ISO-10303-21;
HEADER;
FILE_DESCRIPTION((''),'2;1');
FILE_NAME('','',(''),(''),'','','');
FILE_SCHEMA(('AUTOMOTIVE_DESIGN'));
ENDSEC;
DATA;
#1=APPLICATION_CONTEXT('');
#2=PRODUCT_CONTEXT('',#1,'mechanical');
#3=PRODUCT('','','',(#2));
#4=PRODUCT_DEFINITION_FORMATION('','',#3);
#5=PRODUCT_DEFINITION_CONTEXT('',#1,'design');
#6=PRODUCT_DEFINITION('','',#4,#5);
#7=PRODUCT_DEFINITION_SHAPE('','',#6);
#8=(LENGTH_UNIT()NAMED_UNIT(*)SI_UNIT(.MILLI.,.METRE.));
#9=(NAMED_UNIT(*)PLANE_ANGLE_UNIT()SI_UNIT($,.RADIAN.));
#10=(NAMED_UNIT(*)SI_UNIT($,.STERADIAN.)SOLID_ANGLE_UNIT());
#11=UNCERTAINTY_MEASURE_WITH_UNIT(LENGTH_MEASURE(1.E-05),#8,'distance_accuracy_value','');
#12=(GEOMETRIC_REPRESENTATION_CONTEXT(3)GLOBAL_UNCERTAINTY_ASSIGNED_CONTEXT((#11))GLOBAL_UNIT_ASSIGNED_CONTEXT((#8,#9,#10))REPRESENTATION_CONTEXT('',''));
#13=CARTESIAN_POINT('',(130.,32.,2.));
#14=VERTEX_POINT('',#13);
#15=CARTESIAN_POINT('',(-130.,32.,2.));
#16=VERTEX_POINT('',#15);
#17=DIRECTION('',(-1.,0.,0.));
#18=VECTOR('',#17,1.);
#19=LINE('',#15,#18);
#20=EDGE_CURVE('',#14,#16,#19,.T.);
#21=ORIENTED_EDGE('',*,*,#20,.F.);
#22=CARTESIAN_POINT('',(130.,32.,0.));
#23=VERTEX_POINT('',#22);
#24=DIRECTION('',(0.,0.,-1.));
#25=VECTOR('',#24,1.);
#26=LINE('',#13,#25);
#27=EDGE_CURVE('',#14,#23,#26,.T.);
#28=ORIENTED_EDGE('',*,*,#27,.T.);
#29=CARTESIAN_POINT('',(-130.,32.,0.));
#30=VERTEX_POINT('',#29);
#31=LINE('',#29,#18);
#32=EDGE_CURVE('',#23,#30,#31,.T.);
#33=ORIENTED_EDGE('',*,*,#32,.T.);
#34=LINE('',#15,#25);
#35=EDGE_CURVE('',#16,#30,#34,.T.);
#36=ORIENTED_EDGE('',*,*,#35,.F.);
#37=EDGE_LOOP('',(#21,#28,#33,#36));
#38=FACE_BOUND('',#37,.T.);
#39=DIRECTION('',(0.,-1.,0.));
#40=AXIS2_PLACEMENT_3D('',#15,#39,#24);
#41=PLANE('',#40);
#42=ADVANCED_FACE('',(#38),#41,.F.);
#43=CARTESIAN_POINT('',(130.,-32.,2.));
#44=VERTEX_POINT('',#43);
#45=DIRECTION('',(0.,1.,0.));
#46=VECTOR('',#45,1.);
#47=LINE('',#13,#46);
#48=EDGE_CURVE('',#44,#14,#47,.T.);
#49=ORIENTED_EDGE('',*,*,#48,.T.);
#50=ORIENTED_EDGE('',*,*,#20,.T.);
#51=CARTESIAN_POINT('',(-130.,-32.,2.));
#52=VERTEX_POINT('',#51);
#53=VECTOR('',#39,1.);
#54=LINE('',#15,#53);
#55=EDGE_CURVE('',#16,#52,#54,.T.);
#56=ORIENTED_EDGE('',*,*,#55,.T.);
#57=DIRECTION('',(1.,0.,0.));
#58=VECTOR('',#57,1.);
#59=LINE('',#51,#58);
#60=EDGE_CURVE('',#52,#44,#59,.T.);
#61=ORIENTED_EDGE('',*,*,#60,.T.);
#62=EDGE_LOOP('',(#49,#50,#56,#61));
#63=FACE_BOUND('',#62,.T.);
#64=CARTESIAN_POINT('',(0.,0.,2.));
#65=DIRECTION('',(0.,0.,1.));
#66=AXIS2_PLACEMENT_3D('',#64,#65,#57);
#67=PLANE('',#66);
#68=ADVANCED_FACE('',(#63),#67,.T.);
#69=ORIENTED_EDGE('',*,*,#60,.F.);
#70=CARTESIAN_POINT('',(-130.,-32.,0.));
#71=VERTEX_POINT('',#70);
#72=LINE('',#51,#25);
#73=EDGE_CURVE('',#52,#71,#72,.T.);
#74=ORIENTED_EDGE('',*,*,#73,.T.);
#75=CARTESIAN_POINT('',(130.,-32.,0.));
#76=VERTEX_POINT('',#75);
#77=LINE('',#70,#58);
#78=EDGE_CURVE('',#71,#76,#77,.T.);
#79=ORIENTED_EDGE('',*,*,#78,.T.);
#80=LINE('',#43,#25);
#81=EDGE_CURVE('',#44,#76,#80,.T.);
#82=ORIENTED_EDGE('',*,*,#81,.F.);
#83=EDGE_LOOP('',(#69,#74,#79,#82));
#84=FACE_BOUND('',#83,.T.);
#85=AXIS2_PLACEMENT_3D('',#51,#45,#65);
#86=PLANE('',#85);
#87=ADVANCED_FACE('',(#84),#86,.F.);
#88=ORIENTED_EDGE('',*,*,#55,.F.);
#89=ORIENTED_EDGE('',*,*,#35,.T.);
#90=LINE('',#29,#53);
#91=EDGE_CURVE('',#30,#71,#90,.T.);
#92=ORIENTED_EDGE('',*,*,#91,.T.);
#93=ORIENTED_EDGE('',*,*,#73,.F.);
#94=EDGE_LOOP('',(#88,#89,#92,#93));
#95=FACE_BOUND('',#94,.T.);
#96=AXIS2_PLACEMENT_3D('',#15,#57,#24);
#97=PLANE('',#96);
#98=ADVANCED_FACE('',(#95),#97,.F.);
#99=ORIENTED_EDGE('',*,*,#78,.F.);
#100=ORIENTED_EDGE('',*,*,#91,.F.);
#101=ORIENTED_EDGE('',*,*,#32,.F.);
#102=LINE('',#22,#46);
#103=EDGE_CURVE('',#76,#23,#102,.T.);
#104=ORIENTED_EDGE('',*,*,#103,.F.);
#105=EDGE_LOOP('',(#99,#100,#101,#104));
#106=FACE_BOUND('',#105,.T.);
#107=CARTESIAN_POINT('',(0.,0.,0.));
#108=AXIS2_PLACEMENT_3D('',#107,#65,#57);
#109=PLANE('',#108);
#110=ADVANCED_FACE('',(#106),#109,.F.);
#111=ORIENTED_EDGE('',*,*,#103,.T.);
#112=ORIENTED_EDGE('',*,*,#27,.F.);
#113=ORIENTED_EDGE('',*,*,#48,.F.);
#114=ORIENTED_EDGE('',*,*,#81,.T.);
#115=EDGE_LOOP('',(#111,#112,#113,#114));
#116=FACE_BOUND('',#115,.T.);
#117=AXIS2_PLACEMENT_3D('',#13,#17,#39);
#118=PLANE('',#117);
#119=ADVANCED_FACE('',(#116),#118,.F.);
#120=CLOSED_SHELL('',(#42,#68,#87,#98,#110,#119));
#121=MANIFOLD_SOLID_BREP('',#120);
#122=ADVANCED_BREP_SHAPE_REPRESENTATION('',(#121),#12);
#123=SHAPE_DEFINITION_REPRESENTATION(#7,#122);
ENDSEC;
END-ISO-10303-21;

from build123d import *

# Parameters (mm, degrees)
CROQUIS1_W              = 260
CROQUIS1_H              = 64
SALIENTE_EXTRUIR1_DEPTH = 2


with BuildPart() as part:
    # Croquis1 → Saliente-Extruir1 (new body)
    with BuildSketch(Plane.XY):
        Rectangle(CROQUIS1_W, CROQUIS1_H)
    extrude(amount=SALIENTE_EXTRUIR1_DEPTH)


solid = part.part
